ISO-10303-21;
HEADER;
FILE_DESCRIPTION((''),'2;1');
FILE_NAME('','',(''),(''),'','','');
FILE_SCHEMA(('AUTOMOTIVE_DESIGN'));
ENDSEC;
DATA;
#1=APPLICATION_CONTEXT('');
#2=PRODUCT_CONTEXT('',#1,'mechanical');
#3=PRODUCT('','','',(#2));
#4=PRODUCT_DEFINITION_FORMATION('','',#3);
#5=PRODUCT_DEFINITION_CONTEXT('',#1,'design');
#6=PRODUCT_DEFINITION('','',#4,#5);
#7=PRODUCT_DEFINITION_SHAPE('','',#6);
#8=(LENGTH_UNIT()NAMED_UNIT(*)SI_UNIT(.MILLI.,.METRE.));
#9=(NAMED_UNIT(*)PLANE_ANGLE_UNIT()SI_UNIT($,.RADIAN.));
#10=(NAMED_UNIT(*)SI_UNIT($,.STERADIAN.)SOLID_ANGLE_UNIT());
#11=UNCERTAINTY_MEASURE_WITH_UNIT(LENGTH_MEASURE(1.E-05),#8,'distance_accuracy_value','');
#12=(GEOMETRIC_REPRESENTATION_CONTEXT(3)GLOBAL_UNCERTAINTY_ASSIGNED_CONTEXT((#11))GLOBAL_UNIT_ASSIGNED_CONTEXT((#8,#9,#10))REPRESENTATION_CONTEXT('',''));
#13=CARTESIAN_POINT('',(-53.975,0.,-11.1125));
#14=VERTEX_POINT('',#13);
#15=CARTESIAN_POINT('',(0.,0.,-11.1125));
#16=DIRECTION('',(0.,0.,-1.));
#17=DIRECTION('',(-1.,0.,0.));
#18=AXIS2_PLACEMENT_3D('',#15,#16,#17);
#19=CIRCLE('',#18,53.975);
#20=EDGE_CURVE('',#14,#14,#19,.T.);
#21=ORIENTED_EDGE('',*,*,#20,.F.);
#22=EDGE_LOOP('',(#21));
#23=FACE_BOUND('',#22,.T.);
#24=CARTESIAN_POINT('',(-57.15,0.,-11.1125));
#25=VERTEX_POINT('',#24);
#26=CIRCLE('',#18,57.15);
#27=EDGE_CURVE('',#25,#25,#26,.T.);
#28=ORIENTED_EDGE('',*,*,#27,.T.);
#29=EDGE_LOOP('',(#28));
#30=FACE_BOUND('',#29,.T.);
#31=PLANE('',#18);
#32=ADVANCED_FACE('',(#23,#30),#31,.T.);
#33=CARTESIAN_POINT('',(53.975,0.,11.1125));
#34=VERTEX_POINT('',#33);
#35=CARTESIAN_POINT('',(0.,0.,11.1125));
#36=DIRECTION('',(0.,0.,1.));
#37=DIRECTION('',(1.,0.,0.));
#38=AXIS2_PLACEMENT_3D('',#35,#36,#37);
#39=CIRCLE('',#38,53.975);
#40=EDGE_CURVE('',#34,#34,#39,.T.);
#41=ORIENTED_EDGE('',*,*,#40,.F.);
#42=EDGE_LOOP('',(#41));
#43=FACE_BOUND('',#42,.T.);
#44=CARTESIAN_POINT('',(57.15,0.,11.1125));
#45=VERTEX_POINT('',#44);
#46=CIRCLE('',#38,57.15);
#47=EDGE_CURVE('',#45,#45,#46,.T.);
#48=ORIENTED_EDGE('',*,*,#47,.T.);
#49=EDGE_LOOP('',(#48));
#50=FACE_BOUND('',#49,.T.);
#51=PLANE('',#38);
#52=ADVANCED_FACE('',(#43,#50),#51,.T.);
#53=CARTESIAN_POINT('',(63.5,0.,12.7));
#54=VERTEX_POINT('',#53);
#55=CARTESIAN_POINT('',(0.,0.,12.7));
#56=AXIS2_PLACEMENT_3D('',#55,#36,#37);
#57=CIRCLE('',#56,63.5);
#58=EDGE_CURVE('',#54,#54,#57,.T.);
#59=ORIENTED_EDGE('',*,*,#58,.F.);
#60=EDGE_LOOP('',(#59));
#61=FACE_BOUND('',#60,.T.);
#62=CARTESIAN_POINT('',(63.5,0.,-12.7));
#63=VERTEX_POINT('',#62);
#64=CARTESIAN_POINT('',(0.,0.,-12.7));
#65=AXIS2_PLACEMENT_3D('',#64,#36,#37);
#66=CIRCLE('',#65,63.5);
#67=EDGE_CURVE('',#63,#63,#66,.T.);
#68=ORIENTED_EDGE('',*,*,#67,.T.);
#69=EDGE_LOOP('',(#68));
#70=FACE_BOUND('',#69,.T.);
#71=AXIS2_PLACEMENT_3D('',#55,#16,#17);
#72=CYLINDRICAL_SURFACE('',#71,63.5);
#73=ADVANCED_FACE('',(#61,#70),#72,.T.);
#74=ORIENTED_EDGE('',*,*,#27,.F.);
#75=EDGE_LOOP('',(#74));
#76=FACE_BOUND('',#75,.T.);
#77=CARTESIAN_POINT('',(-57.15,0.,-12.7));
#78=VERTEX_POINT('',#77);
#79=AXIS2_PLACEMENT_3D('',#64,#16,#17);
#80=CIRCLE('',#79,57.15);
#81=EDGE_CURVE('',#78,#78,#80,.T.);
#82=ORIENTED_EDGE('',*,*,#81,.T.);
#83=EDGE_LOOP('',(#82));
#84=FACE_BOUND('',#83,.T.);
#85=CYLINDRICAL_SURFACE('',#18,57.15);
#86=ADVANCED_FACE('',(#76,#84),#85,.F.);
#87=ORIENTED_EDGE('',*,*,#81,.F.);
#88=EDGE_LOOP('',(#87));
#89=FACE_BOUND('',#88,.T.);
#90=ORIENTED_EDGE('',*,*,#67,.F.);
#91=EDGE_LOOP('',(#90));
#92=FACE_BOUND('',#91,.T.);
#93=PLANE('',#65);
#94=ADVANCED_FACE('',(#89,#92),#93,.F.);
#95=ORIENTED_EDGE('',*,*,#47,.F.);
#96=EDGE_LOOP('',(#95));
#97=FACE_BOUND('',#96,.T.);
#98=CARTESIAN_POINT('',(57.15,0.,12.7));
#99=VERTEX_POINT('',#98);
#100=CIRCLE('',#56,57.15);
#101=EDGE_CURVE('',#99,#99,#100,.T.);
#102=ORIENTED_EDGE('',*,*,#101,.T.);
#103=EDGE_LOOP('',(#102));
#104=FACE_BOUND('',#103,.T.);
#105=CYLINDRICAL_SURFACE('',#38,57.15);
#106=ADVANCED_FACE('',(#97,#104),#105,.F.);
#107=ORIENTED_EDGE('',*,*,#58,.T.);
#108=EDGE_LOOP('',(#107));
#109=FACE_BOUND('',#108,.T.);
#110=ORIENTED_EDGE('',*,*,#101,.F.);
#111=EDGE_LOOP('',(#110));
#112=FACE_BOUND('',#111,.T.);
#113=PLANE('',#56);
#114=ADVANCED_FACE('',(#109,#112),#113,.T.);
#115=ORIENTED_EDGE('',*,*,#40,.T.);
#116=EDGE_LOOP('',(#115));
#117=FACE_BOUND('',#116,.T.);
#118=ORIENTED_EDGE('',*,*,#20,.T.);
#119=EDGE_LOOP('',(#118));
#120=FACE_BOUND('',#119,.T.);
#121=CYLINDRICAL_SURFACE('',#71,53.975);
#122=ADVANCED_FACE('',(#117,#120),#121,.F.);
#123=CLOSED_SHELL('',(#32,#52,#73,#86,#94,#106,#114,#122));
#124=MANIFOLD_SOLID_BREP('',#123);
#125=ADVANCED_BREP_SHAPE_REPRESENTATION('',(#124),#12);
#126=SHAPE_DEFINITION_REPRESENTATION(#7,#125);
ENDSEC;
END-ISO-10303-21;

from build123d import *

# Parameters (mm, degrees)
SKETCH1_R           = 63.5
SKETCH1_R_2         = 53.975
BOSS_EXTRUDE1_DEPTH = 12.7
SKETCH2_R           = 57.15
CUT_EXTRUDE1_DEPTH  = 1.5875
CUT_EXTRUDE2_START  = -1.5875
SKETCH3_R           = 57.15
CUT_EXTRUDE2_DEPTH  = 1.5875


with BuildPart() as part:
    # Sketch1 → Boss-Extrude1 (new, symmetric)
    with BuildSketch(Plane.XY):
        Circle(SKETCH1_R)
        Circle(SKETCH1_R_2, mode=Mode.SUBTRACT)
    extrude(amount=BOSS_EXTRUDE1_DEPTH, both=True)

    # Sketch2 → Cut-Extrude1 (cut)
    with BuildSketch(Plane.XY.offset(12.7)):
        Circle(SKETCH2_R)
    extrude(amount=-CUT_EXTRUDE1_DEPTH, mode=Mode.SUBTRACT)

    # Sketch3 → Cut-Extrude2 (cut)
    with BuildSketch(Plane(origin=(0, 0, -12.7), x_dir=(-1, 0, 0), z_dir=(0, 0, -1)).offset(CUT_EXTRUDE2_START)):
        with Locations(Location((0, 0, 0), (0, 0, 180))):
            Circle(SKETCH3_R)
    extrude(amount=CUT_EXTRUDE2_DEPTH, mode=Mode.SUBTRACT)


solid = part.part
